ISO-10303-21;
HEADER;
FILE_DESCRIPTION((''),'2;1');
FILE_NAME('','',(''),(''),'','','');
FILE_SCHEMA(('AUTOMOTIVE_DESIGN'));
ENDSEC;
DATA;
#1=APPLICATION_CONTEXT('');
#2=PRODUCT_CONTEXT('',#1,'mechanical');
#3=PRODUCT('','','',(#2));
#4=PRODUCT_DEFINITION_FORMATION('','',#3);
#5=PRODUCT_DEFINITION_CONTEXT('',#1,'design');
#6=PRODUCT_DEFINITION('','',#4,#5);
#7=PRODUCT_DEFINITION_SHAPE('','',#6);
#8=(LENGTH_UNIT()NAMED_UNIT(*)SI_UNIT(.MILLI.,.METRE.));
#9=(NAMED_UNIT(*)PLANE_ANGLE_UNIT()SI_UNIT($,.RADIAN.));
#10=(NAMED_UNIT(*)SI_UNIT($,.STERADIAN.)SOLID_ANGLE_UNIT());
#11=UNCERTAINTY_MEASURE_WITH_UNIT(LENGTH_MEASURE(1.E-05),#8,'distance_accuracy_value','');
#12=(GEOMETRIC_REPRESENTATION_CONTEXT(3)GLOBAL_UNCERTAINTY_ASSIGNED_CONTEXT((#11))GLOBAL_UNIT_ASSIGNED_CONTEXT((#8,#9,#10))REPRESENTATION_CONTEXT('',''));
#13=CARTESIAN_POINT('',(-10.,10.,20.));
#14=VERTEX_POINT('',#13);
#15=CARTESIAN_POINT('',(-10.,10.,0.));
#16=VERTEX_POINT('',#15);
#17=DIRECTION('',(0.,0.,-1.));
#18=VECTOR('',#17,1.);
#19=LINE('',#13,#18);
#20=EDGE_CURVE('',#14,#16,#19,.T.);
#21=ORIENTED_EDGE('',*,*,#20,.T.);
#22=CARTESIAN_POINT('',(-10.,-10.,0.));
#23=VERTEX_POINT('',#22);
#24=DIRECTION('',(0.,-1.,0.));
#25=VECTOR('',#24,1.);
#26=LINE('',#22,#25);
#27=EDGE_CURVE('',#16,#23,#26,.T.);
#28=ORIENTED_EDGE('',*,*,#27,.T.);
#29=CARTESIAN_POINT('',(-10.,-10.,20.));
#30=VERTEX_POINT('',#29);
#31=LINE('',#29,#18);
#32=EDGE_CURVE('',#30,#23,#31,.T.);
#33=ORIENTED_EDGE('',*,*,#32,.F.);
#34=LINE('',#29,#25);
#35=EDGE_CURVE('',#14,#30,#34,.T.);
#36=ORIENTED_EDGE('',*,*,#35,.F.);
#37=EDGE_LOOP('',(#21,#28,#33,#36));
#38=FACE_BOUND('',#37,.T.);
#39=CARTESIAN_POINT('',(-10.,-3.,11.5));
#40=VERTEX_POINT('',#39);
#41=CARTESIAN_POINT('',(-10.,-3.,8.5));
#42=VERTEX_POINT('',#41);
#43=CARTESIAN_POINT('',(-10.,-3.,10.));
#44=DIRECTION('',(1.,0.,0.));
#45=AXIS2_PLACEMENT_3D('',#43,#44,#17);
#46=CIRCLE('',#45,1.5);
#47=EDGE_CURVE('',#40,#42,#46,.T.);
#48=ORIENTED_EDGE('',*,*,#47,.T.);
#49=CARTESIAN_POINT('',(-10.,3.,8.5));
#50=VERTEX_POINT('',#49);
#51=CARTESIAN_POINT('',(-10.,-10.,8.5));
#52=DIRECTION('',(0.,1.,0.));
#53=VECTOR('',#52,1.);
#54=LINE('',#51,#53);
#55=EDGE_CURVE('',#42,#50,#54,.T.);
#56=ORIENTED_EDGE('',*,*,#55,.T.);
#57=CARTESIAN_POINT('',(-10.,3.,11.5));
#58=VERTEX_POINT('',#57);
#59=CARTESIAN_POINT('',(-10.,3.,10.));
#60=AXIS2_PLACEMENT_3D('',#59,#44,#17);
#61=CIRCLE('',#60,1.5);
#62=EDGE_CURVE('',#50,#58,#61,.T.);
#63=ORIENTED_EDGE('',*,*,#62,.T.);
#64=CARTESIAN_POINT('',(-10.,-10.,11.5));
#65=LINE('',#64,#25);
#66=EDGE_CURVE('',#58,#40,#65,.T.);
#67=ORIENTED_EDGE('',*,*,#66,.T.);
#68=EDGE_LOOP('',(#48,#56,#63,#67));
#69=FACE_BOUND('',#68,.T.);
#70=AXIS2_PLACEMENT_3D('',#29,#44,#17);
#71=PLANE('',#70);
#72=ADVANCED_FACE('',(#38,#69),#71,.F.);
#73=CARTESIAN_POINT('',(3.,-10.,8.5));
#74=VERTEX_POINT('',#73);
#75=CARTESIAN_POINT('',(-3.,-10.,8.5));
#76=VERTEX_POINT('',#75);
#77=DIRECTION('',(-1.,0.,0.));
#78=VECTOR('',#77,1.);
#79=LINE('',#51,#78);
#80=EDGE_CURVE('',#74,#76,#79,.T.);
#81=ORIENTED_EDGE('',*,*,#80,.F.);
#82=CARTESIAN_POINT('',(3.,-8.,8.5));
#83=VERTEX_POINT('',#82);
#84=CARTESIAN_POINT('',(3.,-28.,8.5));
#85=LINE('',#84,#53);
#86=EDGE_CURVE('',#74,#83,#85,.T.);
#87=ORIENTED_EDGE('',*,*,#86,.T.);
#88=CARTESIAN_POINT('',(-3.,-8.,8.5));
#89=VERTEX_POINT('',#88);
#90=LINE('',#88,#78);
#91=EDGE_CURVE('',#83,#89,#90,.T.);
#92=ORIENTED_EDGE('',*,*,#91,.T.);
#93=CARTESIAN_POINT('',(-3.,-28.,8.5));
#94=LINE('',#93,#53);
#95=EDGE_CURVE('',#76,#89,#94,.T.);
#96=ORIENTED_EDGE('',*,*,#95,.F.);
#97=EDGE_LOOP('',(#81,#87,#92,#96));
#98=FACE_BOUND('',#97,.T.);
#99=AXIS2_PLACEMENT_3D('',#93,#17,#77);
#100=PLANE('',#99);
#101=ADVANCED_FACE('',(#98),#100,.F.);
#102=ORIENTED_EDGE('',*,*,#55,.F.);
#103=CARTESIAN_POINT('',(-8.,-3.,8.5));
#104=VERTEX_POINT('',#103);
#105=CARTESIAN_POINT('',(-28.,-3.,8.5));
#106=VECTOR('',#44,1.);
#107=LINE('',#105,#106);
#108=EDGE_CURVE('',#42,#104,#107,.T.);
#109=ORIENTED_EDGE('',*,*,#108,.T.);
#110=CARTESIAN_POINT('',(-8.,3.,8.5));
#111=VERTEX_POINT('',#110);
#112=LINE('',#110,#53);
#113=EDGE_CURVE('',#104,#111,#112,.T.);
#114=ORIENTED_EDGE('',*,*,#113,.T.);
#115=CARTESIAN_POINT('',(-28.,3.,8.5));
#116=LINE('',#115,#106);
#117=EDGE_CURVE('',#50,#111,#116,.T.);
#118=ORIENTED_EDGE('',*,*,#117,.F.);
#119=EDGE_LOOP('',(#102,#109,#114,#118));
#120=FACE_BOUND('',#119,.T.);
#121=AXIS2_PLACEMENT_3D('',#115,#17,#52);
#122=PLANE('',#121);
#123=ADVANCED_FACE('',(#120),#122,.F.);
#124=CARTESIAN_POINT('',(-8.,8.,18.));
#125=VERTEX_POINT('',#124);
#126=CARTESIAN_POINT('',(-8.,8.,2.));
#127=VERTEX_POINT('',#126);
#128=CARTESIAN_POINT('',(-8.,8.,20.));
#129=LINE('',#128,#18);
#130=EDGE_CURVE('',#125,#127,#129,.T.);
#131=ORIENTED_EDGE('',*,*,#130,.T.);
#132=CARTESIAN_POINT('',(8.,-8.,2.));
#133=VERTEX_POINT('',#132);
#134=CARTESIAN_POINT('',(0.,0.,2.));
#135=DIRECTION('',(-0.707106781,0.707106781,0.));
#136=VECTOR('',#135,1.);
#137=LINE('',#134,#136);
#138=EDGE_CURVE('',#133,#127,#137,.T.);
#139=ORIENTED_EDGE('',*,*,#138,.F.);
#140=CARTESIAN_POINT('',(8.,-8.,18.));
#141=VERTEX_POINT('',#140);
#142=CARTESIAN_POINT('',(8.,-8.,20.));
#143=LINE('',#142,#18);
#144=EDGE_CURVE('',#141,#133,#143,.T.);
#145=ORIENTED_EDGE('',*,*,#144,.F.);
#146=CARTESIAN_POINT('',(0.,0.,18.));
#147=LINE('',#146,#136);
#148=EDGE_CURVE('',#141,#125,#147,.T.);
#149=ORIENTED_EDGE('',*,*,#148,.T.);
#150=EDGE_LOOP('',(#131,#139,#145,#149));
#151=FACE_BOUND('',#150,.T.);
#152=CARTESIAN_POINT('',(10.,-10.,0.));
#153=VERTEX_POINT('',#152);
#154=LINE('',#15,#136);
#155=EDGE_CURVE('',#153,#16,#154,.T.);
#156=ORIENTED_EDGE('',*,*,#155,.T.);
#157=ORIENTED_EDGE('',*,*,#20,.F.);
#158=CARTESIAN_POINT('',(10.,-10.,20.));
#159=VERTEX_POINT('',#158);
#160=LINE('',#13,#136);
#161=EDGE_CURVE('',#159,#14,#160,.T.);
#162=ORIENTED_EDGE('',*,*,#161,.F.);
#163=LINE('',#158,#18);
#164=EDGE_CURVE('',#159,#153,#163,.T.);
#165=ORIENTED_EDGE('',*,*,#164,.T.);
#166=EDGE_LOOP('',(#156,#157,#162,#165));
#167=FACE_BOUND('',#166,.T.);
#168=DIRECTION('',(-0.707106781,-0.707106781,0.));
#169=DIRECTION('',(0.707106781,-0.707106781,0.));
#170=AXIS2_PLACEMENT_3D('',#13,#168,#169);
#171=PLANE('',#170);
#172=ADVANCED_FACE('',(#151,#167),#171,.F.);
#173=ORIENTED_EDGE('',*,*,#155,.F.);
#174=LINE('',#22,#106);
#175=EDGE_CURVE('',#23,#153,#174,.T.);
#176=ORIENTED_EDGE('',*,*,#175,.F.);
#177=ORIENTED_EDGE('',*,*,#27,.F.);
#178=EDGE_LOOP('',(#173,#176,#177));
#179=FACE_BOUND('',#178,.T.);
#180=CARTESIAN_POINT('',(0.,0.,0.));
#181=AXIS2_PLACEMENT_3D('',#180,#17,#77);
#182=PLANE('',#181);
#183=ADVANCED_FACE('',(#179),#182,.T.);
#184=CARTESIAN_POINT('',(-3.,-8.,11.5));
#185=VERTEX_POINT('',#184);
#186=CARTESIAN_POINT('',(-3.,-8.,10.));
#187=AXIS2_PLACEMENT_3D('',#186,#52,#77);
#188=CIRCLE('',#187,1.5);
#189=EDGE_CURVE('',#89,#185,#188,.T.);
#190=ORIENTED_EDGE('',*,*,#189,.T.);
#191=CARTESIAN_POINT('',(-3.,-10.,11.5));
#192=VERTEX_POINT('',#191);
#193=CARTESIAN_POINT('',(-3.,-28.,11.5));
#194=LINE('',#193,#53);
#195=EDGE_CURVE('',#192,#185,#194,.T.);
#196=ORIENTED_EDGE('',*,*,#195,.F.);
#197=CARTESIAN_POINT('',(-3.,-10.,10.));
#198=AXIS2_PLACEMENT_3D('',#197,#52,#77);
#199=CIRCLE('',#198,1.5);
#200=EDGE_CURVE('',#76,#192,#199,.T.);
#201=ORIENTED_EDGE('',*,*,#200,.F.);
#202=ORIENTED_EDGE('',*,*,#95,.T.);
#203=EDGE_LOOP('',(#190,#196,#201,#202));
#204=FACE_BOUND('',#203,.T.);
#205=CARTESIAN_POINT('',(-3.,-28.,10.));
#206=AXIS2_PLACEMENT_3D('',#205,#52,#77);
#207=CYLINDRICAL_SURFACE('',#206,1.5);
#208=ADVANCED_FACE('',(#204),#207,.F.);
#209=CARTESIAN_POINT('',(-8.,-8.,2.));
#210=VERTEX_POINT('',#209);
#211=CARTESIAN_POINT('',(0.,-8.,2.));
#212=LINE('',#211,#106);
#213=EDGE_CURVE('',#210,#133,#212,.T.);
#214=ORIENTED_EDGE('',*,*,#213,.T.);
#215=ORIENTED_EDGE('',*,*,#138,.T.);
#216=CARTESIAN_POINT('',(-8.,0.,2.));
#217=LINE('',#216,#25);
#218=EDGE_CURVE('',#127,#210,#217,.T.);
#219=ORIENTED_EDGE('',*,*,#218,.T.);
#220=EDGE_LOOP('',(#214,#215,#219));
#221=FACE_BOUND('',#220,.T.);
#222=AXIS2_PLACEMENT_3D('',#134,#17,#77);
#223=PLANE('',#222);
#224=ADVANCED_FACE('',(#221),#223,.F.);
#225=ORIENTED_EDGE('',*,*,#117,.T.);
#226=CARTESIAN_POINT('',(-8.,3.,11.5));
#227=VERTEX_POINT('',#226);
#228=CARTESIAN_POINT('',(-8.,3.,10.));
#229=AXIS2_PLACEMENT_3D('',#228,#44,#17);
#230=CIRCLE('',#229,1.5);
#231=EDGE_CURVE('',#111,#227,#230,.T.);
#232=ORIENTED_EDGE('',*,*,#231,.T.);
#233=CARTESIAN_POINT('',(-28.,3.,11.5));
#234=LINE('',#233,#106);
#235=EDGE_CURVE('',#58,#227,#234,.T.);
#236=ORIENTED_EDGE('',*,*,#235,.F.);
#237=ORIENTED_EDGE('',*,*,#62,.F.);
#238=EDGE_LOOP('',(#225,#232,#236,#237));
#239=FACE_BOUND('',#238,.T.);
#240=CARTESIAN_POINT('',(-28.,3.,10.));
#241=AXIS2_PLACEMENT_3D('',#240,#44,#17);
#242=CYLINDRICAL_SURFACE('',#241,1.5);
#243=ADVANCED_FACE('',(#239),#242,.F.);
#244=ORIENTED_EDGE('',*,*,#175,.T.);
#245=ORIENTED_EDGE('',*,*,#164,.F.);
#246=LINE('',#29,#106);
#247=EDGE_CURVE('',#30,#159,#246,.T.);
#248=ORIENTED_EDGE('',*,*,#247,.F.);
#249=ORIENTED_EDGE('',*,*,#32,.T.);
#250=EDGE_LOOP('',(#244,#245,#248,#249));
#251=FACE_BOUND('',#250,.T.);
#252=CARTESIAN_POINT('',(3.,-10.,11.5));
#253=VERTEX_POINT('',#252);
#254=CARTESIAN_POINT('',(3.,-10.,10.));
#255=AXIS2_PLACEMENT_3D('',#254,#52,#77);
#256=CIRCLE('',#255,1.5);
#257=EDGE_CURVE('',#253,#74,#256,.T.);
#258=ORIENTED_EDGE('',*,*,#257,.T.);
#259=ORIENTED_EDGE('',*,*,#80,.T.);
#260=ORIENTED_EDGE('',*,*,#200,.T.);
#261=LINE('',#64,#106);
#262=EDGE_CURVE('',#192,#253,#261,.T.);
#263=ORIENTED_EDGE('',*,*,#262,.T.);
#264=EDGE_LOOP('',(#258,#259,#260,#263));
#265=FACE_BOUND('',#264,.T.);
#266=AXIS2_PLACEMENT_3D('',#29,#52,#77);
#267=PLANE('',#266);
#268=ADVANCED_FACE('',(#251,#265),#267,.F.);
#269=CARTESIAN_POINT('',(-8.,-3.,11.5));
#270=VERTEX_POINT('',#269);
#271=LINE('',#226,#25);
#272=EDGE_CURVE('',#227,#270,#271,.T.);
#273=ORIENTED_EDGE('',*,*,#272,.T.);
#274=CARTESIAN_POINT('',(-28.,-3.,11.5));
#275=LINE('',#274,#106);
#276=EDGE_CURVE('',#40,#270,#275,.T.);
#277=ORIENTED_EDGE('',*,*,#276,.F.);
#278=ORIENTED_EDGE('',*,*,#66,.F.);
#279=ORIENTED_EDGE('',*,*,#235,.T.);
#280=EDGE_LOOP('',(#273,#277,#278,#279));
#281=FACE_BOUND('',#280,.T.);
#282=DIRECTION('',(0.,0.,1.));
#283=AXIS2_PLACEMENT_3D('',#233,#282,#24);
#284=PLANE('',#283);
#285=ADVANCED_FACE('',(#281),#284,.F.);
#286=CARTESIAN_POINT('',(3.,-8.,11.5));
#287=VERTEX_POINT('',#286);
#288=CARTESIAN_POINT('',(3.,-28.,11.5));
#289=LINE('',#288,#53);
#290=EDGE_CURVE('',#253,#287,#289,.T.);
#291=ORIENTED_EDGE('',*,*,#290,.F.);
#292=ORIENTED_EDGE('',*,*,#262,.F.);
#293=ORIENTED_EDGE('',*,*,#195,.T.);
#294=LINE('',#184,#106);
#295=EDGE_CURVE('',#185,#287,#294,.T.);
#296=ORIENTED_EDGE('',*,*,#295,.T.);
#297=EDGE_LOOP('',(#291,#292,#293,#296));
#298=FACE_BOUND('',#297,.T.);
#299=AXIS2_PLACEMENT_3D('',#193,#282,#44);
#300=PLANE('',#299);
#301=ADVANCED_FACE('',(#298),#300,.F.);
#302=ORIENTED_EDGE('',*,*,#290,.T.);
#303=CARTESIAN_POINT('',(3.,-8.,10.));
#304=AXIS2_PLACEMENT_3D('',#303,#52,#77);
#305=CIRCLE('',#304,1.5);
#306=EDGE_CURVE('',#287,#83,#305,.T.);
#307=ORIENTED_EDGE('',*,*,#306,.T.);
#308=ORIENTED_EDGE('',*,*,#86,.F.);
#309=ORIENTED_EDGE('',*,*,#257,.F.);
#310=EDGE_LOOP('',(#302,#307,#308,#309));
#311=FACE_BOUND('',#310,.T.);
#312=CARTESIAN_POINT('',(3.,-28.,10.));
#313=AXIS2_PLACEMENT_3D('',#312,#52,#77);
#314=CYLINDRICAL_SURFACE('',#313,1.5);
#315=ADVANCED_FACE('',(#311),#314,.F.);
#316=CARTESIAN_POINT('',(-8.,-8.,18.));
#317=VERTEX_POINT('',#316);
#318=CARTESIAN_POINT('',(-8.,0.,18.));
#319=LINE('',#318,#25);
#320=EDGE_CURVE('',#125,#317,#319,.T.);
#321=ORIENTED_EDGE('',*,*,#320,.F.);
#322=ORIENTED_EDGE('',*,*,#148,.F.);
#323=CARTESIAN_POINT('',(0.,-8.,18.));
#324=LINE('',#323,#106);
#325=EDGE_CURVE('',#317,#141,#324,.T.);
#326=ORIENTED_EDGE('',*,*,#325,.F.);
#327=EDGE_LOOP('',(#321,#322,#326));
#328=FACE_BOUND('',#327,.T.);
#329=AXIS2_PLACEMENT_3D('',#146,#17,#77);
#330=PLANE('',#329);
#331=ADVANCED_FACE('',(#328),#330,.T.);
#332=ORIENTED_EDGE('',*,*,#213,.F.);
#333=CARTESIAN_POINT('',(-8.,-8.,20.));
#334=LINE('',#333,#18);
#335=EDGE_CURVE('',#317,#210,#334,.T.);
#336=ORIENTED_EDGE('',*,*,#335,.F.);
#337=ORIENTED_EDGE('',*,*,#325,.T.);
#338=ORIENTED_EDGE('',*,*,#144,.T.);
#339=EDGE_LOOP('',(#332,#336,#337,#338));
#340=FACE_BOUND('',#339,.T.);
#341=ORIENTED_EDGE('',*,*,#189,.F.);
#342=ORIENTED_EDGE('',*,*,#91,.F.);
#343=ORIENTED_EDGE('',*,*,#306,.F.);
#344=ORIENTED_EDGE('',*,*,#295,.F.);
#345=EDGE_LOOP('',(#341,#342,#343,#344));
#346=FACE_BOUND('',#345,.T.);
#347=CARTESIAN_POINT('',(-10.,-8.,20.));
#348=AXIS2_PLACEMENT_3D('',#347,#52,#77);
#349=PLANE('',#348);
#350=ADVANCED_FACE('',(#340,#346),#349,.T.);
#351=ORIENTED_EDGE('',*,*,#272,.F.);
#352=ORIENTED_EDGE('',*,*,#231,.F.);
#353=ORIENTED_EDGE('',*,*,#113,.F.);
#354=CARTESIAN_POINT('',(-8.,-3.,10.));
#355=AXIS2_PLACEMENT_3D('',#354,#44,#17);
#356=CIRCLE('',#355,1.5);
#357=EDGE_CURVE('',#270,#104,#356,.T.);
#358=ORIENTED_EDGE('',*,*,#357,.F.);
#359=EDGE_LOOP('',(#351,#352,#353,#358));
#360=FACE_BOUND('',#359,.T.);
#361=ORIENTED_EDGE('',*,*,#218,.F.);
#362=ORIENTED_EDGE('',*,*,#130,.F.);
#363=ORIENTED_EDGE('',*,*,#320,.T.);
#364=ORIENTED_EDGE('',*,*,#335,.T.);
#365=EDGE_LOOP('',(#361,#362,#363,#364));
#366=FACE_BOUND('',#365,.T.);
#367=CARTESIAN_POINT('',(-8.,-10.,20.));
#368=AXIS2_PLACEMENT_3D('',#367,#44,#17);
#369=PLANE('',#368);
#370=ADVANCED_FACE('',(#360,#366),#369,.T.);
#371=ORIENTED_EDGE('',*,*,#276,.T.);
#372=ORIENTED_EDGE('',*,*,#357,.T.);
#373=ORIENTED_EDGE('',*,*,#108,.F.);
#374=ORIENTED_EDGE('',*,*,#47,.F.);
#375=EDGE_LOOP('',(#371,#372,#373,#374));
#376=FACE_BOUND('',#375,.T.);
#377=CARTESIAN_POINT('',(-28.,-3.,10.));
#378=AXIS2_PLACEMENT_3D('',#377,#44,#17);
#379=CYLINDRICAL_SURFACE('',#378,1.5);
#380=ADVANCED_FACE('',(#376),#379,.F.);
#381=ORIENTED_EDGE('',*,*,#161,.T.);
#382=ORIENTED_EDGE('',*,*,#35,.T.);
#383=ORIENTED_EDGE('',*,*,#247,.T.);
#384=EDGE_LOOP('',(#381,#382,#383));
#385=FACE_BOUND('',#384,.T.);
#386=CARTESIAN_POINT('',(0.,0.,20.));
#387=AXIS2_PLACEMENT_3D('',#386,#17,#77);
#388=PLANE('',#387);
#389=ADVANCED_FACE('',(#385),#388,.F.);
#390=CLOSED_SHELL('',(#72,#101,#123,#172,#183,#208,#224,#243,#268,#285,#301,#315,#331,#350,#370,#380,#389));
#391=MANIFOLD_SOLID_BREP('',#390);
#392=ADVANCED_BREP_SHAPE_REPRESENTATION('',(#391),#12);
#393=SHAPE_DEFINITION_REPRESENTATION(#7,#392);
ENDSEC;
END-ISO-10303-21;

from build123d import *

# Parameters (mm, degrees)
BOSS_EXTRUDE1_DEPTH = 20
SHELL1_T            = -2
CUT_EXTRUDE1_DEPTH  = 20
CUT_EXTRUDE2_DEPTH  = 20


with BuildPart() as part:
    # Sketch1 → Boss-Extrude1 (new body)
    with BuildSketch(Plane.XY):
        Polygon((-10, 10), (10, -10), (-10, -10), align=None)
    extrude(amount=BOSS_EXTRUDE1_DEPTH)

    # Shell1
    shell1_openings = [part.faces().sort_by_distance(p)[0] for p in [
        (0, 0, 10),
    ]]
    offset(amount=SHELL1_T, openings=shell1_openings, kind=Kind.INTERSECTION)

    # Sketch2 → Cut-Extrude1 (cut)
    with BuildSketch(Plane(origin=(-8, 0, 0), x_dir=(0, 0, -1), z_dir=(1, 0, 0))):
        with BuildLine():
            Line((-11.5, 3), (-11.5, -3))
            ThreePointArc((-11.5, -3), (-10, -4.5), (-8.5, -3))
            Line((-8.5, -3), (-8.5, 3))
            ThreePointArc((-8.5, 3), (-10, 4.5), (-11.5, 3))
        make_face()
    extrude(amount=-CUT_EXTRUDE1_DEPTH, mode=Mode.SUBTRACT)

    # Sketch3 → Cut-Extrude2 (cut)
    with BuildSketch(Plane(origin=(0, -8, 0), x_dir=(1, 0, 0), z_dir=(0, 1, 0))):
        with BuildLine():
            Line((-3, -8.5), (3, -8.5))
            ThreePointArc((3, -8.5), (4.5, -10), (3, -11.5))
            Line((3, -11.5), (-3, -11.5))
            ThreePointArc((-3, -11.5), (-4.5, -10), (-3, -8.5))
        make_face()
    extrude(amount=-CUT_EXTRUDE2_DEPTH, mode=Mode.SUBTRACT)


solid = part.part
